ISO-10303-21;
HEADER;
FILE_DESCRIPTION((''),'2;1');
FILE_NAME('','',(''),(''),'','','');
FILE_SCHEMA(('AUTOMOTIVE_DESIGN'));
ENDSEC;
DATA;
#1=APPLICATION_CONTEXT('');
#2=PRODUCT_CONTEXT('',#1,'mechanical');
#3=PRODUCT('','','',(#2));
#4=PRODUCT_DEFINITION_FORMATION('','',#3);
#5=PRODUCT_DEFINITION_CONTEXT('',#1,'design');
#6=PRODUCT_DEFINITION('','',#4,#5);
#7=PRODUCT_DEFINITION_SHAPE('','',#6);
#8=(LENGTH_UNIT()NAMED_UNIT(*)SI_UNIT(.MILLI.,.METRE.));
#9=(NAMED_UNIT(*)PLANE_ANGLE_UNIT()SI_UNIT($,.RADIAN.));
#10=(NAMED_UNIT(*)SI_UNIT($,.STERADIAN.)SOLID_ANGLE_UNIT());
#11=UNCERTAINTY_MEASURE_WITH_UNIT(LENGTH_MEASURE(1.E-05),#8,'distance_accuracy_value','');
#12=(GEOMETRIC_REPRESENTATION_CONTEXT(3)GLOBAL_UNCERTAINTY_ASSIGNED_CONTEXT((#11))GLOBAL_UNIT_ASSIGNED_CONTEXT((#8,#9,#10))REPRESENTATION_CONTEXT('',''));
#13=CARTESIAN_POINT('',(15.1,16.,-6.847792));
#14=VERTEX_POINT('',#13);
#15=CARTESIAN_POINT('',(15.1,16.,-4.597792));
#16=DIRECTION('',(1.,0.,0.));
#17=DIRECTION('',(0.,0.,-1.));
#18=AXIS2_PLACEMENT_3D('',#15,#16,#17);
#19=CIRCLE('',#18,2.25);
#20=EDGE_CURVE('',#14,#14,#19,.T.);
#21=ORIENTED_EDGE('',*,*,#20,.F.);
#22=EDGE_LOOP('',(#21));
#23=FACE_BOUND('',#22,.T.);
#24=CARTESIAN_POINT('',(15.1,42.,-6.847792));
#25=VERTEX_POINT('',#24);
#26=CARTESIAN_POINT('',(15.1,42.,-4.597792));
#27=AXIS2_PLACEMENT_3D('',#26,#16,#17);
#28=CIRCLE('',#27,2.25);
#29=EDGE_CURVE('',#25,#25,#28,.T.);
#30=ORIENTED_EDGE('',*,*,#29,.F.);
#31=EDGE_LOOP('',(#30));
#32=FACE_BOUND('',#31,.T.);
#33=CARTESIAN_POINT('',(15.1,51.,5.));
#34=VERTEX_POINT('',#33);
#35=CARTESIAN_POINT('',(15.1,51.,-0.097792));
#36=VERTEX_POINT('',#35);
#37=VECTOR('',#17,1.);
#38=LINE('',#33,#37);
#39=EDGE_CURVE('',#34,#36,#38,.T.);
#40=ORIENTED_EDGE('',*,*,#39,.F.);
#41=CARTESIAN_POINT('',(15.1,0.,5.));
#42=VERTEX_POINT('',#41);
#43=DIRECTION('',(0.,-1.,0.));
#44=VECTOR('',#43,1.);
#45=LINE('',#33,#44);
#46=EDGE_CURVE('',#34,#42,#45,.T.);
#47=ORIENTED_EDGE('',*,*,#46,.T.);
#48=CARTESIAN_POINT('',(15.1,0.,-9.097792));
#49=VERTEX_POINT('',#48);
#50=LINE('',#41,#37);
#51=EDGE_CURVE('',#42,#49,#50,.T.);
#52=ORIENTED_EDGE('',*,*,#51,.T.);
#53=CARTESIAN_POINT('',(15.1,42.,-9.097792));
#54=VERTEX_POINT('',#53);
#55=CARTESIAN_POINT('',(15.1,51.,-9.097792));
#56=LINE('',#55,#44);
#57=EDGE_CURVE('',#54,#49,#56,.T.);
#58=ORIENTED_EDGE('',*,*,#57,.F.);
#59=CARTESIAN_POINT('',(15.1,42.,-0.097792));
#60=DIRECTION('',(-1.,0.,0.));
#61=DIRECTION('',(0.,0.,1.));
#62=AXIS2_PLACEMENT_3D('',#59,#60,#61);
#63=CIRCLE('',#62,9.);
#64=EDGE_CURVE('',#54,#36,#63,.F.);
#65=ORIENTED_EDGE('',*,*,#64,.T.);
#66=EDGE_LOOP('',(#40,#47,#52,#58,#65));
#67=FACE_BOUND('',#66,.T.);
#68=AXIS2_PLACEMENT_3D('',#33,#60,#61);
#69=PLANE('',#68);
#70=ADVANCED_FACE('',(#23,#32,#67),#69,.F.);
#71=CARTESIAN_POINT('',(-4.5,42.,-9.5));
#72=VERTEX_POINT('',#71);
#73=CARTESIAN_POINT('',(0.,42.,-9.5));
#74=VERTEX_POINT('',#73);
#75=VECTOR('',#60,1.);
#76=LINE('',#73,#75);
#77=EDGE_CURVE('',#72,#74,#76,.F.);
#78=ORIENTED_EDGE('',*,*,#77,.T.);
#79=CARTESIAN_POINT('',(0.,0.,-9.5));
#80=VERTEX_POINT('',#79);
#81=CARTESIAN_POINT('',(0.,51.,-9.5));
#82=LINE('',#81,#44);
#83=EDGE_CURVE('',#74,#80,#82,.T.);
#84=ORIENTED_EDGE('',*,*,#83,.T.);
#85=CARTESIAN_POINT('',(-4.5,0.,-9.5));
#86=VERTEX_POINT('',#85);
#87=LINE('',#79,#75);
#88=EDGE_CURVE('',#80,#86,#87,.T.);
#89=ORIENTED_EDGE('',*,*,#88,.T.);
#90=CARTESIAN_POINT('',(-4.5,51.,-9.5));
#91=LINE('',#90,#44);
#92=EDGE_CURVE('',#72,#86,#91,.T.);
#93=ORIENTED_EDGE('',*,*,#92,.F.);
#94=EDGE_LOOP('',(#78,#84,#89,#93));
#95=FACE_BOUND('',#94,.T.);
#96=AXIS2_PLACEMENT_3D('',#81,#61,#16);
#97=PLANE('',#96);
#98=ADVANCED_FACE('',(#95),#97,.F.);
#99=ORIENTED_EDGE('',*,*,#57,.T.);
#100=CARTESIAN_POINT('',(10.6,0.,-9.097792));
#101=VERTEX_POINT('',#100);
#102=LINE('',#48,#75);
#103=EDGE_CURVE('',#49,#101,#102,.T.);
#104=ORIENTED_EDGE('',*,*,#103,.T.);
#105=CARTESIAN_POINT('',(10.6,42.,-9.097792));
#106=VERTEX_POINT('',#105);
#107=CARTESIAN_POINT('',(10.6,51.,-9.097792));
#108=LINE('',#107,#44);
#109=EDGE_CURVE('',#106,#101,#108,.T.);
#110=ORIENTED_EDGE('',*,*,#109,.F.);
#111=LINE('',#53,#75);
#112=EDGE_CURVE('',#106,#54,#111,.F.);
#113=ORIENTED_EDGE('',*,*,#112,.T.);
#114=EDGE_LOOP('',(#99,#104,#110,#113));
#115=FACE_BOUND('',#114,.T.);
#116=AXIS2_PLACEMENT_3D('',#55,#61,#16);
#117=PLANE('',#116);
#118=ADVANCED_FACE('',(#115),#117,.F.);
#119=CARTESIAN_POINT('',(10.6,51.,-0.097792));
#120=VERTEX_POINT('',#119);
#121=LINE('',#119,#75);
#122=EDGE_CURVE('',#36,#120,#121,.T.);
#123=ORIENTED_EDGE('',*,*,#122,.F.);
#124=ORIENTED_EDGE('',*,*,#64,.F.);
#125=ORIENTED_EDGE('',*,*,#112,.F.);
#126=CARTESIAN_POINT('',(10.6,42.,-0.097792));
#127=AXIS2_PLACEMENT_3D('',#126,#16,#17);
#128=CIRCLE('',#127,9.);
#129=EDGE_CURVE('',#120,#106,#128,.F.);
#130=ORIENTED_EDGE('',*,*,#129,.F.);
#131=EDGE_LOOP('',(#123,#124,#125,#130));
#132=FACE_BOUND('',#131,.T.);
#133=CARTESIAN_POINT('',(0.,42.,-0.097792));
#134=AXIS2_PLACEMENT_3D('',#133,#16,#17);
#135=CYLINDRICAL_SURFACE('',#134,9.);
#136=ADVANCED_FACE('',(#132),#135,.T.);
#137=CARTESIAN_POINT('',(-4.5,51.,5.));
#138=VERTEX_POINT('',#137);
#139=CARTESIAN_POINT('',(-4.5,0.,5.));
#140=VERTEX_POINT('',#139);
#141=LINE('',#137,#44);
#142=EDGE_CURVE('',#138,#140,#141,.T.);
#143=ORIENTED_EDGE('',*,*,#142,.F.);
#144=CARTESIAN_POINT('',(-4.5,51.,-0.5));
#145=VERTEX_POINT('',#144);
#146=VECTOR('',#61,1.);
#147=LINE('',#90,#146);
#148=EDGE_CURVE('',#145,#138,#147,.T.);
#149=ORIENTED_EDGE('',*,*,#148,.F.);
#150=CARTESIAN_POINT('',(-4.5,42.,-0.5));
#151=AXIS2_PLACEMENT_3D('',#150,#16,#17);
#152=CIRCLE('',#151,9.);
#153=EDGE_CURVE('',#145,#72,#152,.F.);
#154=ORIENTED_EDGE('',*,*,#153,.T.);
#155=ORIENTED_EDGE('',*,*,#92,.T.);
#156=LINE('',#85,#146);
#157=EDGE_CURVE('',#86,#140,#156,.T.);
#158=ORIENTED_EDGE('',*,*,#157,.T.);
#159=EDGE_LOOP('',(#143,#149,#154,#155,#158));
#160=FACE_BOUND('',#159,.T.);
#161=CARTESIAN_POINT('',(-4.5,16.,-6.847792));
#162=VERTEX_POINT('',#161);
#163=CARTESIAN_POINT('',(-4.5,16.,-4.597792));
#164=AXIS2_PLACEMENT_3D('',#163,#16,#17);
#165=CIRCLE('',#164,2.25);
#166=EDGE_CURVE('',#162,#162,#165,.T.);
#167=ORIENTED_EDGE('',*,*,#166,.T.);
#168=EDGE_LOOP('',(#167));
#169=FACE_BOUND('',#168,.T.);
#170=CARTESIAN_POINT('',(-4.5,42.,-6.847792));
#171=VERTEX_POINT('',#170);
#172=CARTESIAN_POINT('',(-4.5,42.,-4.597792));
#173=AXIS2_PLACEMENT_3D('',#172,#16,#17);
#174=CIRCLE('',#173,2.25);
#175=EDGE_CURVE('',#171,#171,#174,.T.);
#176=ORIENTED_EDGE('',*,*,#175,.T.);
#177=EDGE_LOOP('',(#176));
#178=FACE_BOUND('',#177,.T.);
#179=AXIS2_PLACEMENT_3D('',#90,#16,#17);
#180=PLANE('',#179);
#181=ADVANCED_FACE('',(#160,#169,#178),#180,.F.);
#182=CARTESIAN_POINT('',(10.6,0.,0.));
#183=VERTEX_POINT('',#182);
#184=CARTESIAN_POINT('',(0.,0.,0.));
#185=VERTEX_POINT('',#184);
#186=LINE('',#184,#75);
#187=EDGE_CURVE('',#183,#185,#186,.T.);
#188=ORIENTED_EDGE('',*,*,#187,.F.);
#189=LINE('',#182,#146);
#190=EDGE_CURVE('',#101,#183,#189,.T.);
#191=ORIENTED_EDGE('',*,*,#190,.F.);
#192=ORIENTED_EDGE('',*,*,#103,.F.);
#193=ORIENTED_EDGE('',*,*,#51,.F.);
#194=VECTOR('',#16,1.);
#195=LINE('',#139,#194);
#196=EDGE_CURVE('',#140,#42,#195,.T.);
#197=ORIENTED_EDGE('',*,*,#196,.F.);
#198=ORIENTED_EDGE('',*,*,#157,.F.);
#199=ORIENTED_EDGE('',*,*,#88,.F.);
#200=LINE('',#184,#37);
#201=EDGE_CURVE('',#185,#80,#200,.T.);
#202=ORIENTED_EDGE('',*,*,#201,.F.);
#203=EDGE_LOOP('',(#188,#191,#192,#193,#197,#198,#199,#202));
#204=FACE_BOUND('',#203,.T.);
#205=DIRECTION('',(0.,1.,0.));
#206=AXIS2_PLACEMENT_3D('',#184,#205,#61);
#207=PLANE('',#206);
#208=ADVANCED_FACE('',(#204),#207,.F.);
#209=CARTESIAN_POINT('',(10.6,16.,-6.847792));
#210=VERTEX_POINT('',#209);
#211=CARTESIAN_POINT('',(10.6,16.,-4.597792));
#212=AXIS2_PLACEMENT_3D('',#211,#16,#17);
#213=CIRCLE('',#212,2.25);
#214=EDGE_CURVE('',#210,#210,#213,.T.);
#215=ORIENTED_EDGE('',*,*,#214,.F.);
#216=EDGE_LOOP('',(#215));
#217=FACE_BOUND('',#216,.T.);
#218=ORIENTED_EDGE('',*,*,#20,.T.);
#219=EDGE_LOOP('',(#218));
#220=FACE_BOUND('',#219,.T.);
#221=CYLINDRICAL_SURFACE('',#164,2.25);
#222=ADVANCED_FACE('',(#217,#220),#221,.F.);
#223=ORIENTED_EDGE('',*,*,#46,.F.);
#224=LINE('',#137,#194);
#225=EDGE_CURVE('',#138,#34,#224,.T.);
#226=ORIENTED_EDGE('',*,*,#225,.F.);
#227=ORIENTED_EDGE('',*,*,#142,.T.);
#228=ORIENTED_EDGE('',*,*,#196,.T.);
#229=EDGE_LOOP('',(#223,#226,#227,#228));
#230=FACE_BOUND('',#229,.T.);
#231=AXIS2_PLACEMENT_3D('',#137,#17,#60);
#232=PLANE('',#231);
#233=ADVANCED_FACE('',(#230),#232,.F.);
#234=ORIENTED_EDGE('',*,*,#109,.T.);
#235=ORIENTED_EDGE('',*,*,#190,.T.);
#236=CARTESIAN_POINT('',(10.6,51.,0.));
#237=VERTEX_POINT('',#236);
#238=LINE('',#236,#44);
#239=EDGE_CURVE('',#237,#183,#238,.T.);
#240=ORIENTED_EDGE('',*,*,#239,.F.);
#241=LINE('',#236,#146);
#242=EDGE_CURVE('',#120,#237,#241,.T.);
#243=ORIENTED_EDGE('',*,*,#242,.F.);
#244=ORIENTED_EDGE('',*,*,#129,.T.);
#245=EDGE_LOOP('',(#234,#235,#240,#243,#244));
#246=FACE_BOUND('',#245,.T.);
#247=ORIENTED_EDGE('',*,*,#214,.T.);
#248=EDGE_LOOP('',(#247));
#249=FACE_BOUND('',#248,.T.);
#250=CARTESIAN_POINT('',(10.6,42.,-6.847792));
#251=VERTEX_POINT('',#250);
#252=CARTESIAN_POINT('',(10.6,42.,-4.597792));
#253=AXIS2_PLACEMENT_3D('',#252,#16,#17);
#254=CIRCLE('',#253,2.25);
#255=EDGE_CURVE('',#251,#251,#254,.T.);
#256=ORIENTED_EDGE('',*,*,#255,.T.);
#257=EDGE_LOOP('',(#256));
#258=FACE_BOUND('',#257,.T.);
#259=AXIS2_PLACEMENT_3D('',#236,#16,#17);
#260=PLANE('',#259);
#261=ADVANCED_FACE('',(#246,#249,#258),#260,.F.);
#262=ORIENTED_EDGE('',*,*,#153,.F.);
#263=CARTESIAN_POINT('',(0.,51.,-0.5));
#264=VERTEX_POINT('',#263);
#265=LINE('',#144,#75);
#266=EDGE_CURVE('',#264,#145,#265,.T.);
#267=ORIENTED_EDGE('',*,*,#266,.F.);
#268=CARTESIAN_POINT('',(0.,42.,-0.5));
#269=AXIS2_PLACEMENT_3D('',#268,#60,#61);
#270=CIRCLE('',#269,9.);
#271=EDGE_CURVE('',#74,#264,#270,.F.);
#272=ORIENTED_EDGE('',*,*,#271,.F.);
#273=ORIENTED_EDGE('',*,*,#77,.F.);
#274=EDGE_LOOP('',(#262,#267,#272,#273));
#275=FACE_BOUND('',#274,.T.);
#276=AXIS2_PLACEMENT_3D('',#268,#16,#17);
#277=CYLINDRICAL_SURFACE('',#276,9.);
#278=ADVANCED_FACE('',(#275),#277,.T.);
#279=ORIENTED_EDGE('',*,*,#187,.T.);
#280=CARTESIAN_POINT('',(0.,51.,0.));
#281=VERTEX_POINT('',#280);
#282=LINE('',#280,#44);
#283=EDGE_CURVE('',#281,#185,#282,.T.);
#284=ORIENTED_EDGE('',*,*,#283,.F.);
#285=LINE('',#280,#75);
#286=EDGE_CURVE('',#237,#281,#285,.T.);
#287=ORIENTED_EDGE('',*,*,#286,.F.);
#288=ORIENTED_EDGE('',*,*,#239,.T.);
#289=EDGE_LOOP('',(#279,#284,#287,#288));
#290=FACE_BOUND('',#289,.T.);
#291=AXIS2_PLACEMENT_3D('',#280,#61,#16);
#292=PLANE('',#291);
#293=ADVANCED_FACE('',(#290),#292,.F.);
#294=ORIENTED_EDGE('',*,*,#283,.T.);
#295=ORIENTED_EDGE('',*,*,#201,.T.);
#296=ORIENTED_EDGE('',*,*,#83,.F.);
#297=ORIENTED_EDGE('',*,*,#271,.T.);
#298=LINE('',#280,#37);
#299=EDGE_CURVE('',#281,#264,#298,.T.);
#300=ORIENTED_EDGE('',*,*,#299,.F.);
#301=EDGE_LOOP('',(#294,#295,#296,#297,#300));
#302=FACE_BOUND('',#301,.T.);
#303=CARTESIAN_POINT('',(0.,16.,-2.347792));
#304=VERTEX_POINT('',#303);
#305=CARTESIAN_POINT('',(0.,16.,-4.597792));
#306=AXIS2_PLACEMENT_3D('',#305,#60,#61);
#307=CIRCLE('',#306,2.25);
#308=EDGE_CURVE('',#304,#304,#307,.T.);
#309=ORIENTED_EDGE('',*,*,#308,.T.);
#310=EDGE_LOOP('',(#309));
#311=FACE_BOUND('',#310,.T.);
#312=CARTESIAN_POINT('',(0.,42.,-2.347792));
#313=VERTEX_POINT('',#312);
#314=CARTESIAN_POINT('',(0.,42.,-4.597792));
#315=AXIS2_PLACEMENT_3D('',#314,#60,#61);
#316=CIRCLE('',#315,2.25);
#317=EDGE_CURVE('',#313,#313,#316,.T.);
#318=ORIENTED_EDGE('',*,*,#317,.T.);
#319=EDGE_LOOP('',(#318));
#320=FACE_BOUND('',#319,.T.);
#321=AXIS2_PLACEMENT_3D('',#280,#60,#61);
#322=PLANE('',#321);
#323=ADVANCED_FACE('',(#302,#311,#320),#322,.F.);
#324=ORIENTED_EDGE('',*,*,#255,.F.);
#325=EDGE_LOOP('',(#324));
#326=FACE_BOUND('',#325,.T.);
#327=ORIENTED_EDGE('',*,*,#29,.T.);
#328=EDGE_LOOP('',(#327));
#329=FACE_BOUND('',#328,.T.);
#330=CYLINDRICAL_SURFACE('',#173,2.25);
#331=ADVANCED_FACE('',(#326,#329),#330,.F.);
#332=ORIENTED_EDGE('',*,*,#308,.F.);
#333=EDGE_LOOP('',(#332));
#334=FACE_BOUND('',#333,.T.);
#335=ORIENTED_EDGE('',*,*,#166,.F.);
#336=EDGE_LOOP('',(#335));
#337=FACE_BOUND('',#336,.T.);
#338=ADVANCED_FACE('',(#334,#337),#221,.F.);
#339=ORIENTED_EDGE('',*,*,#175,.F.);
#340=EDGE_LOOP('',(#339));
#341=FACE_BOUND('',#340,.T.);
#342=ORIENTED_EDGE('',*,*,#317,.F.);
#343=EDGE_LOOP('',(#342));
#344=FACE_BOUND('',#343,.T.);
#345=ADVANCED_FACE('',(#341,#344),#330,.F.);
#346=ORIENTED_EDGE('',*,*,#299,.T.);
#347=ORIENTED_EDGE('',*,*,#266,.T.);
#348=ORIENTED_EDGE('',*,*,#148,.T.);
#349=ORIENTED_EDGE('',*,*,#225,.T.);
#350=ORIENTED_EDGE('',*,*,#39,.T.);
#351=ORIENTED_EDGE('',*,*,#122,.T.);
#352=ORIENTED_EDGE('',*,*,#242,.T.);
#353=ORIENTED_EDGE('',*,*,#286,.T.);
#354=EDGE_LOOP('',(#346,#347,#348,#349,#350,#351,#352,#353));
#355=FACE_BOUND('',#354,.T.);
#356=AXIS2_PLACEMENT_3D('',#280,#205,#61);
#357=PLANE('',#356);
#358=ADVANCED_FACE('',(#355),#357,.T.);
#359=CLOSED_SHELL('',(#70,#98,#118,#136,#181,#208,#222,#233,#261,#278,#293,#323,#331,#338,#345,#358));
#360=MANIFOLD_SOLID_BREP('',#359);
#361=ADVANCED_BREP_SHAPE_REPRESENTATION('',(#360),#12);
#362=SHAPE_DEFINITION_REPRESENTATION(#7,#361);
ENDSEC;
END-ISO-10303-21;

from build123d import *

# Parameters (mm, degrees)
EXTRUDE_1_DEPTH     = 51
SKETCH_2_R          = 2.25
CUT_EXTRUDE_1_DEPTH = 56.456379254
FILLET_1_R          = 9


with BuildPart() as part:
    # Эскиз1 → Бобышка-Вытянуть1 (new body)
    with BuildSketch(Plane(origin=(0, 0, 0), x_dir=(1, 0, 0), z_dir=(0, 1, 0))):
        Polygon((0, 0), (10.6, 0), (10.6, 9.097791798), (15.1, 9.097791798), (15.1, -5), (-4.5, -5), (-4.5, 9.5), (0, 9.5), align=None)
    extrude(amount=EXTRUDE_1_DEPTH)

    # Эскиз2 → Вырез-Вытянуть1 (cut, through all)
    with BuildSketch(Plane(origin=(15.1, 0, 0), x_dir=(0, 0, -1), z_dir=(1, 0, 0))):
        with Locations((4.597791798, 42)):
            Circle(SKETCH_2_R)
        with Locations((4.597791798, 16)):
            Circle(SKETCH_2_R)
    extrude(amount=-CUT_EXTRUDE_1_DEPTH, mode=Mode.SUBTRACT)

    # Скругление1
    fillet_1_edges = [part.edges().sort_by_distance(p)[0] for p in [
        (12.85, 51, -9.097791798),
        (-2.25, 51, -9.5),
    ]]
    fillet(fillet_1_edges, radius=FILLET_1_R)


solid = part.part
